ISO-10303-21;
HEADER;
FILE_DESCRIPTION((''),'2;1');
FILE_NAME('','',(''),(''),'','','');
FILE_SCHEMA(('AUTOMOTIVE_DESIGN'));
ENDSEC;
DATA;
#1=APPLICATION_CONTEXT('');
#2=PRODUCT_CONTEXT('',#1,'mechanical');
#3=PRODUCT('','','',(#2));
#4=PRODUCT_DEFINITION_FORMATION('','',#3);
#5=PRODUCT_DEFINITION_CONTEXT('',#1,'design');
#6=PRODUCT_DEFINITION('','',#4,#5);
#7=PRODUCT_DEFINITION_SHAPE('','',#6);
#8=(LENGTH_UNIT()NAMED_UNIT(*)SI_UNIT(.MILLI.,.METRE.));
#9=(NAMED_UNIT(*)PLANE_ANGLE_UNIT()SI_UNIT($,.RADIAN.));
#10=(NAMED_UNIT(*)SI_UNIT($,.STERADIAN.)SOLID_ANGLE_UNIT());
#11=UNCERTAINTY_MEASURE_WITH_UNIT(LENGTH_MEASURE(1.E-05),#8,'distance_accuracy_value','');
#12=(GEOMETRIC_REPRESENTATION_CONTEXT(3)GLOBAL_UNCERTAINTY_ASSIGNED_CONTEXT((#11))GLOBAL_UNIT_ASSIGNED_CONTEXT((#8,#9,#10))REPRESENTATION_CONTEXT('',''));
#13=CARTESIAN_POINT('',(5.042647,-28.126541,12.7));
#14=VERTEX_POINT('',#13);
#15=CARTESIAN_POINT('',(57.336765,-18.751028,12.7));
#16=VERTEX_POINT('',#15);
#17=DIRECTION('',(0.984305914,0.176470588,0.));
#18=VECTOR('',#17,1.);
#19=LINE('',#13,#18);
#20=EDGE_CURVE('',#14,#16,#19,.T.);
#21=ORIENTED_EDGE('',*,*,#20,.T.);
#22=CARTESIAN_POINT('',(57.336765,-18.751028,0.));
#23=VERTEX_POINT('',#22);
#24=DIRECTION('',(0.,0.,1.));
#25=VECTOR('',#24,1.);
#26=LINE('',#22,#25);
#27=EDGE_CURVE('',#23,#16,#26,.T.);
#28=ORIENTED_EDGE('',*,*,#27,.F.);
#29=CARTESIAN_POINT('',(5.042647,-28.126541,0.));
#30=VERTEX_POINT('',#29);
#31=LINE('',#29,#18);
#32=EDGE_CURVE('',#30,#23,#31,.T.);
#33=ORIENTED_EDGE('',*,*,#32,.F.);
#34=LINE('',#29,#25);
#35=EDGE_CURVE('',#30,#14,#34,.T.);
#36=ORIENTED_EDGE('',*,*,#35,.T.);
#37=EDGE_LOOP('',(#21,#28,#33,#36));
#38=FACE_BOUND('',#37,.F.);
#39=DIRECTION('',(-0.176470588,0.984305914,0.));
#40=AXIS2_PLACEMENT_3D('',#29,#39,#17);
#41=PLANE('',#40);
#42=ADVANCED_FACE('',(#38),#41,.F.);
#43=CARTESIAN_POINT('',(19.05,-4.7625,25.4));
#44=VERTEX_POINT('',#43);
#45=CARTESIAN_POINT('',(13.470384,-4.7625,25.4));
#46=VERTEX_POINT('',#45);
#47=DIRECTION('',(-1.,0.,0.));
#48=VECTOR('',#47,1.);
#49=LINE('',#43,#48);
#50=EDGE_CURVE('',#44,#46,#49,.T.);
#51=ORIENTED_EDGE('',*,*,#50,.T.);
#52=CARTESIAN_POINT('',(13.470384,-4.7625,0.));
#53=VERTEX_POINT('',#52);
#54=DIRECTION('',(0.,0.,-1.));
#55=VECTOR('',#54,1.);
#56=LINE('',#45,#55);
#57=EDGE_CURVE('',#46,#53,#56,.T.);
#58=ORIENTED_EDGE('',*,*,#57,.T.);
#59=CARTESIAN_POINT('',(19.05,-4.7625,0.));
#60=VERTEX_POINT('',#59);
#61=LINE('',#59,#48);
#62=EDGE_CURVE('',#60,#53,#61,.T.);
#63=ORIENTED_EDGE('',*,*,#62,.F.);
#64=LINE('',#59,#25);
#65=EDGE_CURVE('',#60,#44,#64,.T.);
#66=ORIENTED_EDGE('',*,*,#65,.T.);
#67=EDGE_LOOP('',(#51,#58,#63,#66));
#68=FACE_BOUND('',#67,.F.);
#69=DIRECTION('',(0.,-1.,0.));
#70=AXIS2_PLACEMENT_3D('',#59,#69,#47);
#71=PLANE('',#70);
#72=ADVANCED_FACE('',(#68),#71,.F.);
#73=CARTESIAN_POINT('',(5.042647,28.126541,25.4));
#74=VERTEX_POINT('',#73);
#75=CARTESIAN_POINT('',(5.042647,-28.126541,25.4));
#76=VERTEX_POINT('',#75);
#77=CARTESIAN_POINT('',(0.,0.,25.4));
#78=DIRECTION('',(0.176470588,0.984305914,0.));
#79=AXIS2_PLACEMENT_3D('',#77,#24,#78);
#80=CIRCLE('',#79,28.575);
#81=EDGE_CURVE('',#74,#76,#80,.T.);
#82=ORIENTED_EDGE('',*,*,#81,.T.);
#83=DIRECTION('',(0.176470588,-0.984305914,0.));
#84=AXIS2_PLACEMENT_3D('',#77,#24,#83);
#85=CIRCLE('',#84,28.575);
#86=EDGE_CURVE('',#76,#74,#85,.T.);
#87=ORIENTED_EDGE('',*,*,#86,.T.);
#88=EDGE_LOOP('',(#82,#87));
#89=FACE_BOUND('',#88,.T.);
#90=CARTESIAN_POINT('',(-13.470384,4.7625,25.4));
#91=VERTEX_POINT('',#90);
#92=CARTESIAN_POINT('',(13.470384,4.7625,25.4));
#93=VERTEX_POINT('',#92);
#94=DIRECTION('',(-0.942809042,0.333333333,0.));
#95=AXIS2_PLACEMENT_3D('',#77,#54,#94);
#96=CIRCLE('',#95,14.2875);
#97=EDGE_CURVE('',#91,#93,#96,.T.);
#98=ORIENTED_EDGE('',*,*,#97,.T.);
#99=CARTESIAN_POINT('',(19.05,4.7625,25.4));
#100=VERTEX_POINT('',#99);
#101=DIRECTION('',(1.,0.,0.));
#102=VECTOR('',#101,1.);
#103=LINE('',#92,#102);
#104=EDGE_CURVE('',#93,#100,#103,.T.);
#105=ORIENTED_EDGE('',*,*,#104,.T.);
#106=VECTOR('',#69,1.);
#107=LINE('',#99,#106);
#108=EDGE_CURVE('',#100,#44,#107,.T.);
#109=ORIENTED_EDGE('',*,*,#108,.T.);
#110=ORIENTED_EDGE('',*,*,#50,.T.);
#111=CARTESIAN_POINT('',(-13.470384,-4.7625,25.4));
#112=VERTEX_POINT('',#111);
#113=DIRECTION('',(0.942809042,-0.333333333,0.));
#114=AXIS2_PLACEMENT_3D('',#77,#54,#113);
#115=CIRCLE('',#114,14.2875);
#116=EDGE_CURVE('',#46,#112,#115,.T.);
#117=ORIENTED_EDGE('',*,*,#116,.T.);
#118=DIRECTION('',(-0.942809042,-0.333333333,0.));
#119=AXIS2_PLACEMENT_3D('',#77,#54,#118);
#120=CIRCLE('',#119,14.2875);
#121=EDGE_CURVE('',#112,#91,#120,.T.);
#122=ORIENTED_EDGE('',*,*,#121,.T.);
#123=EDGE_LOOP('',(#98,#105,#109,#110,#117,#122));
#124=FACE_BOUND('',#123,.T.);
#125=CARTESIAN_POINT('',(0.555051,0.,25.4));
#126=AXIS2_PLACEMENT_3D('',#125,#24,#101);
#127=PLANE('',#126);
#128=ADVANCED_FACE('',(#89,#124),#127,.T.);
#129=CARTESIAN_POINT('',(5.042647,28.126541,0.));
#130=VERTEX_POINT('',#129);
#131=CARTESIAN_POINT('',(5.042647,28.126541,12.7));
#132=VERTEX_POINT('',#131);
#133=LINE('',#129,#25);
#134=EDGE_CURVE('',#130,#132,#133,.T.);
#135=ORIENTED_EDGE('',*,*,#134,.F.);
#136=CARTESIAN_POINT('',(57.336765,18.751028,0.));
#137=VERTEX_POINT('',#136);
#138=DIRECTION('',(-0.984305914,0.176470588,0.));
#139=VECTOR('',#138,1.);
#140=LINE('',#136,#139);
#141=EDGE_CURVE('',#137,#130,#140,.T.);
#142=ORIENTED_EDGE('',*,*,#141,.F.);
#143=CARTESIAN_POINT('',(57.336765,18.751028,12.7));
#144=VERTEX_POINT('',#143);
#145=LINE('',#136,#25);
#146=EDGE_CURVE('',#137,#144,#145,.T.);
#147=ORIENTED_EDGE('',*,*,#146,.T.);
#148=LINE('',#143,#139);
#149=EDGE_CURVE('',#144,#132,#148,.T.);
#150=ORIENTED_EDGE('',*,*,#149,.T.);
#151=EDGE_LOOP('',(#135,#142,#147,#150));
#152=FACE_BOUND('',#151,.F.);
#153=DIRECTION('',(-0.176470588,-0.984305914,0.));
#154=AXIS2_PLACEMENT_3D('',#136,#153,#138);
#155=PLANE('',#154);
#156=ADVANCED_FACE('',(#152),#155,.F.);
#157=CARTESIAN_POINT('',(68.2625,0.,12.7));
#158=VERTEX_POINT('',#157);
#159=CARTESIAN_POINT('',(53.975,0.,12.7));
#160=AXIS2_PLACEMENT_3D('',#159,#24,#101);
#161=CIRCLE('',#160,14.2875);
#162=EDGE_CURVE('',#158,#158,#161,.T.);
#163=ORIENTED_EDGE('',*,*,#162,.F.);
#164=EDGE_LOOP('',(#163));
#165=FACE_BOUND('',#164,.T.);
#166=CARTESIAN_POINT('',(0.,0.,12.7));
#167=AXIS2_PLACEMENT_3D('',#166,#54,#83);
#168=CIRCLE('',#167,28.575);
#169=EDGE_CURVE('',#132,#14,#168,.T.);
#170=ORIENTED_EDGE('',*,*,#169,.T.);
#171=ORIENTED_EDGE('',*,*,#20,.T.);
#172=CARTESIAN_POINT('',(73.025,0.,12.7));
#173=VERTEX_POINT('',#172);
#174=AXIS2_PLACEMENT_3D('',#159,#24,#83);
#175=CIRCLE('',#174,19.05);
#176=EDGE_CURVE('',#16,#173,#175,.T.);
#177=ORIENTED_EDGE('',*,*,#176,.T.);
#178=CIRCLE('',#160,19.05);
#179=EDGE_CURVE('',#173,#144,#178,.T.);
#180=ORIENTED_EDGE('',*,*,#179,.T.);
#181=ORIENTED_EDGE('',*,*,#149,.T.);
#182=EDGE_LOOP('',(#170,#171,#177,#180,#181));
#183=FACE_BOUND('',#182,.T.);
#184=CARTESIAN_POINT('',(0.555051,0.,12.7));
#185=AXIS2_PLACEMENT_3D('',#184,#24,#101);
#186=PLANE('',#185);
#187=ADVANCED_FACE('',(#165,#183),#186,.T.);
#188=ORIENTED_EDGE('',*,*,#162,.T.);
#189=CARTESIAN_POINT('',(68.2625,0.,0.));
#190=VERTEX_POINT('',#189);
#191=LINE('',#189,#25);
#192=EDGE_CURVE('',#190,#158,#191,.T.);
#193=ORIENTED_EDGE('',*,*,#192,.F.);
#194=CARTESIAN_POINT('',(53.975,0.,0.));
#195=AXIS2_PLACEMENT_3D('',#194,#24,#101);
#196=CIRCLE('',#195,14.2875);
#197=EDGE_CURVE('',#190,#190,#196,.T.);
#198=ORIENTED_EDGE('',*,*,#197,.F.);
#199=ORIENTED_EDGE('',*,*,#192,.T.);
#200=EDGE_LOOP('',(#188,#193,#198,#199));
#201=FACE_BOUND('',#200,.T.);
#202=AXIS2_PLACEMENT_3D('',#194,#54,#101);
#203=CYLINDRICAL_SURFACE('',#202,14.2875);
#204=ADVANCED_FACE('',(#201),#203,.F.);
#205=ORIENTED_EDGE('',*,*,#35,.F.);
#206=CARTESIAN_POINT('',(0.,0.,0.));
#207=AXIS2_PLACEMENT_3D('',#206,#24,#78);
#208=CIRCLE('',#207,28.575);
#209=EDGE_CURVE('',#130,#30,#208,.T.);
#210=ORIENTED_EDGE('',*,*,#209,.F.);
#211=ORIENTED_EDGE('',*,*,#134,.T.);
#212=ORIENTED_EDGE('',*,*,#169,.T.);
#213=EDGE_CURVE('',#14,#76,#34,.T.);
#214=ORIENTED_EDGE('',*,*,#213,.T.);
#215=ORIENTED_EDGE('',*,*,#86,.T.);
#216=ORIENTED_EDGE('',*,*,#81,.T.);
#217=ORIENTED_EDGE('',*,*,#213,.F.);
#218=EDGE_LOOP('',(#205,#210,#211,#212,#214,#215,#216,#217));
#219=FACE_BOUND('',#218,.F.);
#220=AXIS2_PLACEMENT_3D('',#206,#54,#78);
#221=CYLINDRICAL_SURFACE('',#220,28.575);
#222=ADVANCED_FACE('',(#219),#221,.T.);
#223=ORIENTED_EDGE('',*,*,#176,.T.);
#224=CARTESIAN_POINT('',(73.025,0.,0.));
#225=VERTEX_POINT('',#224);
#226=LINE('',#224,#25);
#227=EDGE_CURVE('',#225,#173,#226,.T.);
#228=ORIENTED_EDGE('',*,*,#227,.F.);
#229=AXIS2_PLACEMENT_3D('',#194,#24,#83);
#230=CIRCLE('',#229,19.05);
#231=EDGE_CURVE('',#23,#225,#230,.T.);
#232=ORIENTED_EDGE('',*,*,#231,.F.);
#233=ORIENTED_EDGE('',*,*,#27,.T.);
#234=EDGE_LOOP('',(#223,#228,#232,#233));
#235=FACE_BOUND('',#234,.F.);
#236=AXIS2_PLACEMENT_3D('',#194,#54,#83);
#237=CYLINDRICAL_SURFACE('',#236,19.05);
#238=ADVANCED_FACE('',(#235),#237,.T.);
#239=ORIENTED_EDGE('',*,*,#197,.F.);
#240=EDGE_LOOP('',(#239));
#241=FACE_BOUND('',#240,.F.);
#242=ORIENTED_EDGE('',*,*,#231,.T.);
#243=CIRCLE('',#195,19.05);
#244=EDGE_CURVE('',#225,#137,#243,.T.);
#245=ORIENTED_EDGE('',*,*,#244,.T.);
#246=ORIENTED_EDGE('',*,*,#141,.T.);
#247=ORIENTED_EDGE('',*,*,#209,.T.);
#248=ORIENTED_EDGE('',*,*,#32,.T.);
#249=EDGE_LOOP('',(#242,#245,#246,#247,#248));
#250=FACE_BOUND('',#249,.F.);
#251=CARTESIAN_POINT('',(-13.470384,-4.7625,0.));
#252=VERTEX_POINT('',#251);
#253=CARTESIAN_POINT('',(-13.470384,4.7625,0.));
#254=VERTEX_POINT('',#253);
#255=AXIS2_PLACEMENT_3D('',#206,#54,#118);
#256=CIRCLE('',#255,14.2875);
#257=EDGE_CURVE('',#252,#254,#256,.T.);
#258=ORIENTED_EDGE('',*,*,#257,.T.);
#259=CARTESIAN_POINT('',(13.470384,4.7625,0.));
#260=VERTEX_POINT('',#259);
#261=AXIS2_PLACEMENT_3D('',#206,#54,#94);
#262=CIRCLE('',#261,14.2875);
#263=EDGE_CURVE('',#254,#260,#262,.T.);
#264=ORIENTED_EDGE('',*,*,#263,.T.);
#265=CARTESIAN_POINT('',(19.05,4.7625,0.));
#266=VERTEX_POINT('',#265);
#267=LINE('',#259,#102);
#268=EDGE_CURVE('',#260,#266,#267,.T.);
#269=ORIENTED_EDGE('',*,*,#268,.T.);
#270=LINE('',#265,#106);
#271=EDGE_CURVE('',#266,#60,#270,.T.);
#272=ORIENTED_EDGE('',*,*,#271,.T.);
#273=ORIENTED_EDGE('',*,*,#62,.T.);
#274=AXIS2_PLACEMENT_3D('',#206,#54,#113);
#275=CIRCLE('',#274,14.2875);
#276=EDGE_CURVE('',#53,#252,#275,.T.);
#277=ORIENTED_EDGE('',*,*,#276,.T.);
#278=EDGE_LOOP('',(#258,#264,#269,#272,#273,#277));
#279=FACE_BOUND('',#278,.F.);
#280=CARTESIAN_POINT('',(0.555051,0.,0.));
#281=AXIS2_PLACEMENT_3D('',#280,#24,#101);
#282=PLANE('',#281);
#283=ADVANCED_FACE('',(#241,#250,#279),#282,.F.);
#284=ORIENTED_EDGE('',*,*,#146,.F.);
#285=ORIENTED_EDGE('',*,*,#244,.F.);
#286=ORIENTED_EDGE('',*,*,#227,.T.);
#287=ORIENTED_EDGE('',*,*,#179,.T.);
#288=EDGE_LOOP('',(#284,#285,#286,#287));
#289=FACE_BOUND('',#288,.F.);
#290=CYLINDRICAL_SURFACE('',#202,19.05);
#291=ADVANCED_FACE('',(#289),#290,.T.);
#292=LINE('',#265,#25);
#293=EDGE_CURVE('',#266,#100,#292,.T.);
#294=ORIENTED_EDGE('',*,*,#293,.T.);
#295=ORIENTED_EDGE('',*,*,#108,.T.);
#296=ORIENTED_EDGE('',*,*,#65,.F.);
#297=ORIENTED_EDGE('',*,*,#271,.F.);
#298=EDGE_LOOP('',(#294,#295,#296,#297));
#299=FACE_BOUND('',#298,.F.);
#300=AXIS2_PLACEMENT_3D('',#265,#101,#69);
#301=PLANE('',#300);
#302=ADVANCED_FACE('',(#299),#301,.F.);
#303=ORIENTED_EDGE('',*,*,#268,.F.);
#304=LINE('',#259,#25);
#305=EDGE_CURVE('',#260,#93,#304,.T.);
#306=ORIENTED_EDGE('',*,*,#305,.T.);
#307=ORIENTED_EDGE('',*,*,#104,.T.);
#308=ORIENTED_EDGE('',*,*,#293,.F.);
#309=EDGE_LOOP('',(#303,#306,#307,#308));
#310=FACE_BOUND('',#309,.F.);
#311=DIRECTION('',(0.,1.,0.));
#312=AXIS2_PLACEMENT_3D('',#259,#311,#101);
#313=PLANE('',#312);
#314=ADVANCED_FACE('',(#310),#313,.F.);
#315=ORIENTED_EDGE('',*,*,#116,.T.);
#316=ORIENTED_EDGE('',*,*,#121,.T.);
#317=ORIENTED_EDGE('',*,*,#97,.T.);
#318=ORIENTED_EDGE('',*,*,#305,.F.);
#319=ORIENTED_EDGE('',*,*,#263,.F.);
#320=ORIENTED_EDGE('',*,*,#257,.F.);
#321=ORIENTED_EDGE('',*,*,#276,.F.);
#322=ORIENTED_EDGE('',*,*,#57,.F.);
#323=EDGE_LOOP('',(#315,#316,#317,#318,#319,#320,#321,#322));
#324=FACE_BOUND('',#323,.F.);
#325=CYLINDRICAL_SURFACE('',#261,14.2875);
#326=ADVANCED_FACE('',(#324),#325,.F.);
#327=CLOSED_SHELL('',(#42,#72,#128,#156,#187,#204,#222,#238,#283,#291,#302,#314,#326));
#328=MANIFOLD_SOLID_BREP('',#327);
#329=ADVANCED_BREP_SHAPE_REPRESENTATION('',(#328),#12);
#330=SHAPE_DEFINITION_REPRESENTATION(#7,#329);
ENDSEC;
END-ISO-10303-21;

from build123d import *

# Parameters (mm, degrees)
F0_R     = 14.2875
F1_DEPTH = 12.7
F2_DEPTH = 25.4


with BuildPart() as f1:
    # F0 (on Top) → F1 (new body)
    with BuildSketch(Plane.XY):
        with BuildLine():
            ThreePointArc((5.0426470588, -28.1265414802), (21.9160245563, -18.3362616868), (28.575, 0))
            ThreePointArc((28.575, 0), (21.9160245563, 18.3362616868), (5.0426470588, 28.1265414802))
            ThreePointArc((5.0426470588, 28.1265414802), (-28.575, 0), (5.0426470588, -28.1265414802))
        make_face()
        with BuildLine():
            ThreePointArc((-13.4703841816, 4.7625), (0, 14.2875), (13.4703841816, 4.7625))
            Line((13.4703841816, 4.7625), (19.05, 4.7625))
            Line((19.05, 4.7625), (19.05, -4.7625))
            Line((19.05, -4.7625), (13.4703841816, -4.7625))
            ThreePointArc((13.4703841816, -4.7625), (0, -14.2875), (-13.4703841816, -4.7625))
            Line((-13.4703841816, -4.7625), (-19.05, -4.7625))
            Line((-19.05, -4.7625), (-19.05, 4.7625))
            Line((-19.05, 4.7625), (-13.4703841816, 4.7625))
        make_face(mode=Mode.SUBTRACT)
        with BuildLine():
            ThreePointArc((73.025, 0), (68.5856830375, 12.2241744579), (57.3367647059, 18.7510276535))
            ThreePointArc((57.3367647059, 18.7510276535), (34.925, 0), (57.3367647059, -18.7510276535))
            ThreePointArc((57.3367647059, -18.7510276535), (68.5856830375, -12.2241744579), (73.025, 0))
        make_face()
        with Locations((53.975, 0)):
            Circle(F0_R, mode=Mode.SUBTRACT)
        with BuildLine():
            ThreePointArc((5.0426470588, 28.1265414802), (21.9160245563, 18.3362616868), (28.575, 0))
            ThreePointArc((28.575, 0), (21.9160245563, -18.3362616868), (5.0426470588, -28.1265414802))
            Line((5.0426470588, -28.1265414802), (57.3367647059, -18.7510276535))
            ThreePointArc((57.3367647059, -18.7510276535), (34.925, 0), (57.3367647059, 18.7510276535))
            Line((57.3367647059, 18.7510276535), (5.0426470588, 28.1265414802))
        make_face()
        with BuildLine():
            ThreePointArc((-13.4703841816, -4.7625), (-14.2875, 0), (-13.4703841816, 4.7625))
            Line((-13.4703841816, 4.7625), (-19.05, 4.7625))
            Line((-19.05, 4.7625), (-19.05, -4.7625))
            Line((-19.05, -4.7625), (-13.4703841816, -4.7625))
        make_face()
    extrude(amount=F1_DEPTH)

    # F0 (on Top) → F2 (join)
    with BuildSketch(Plane.XY):
        with BuildLine():
            ThreePointArc((5.0426470588, -28.1265414802), (21.9160245563, -18.3362616868), (28.575, 0))
            ThreePointArc((28.575, 0), (21.9160245563, 18.3362616868), (5.0426470588, 28.1265414802))
            ThreePointArc((5.0426470588, 28.1265414802), (-28.575, 0), (5.0426470588, -28.1265414802))
        make_face()
        with BuildLine():
            ThreePointArc((-13.4703841816, 4.7625), (0, 14.2875), (13.4703841816, 4.7625))
            Line((13.4703841816, 4.7625), (19.05, 4.7625))
            Line((19.05, 4.7625), (19.05, -4.7625))
            Line((19.05, -4.7625), (13.4703841816, -4.7625))
            ThreePointArc((13.4703841816, -4.7625), (0, -14.2875), (-13.4703841816, -4.7625))
            Line((-13.4703841816, -4.7625), (-19.05, -4.7625))
            Line((-19.05, -4.7625), (-19.05, 4.7625))
            Line((-19.05, 4.7625), (-13.4703841816, 4.7625))
        make_face(mode=Mode.SUBTRACT)
        with BuildLine():
            ThreePointArc((-13.4703841816, -4.7625), (-14.2875, 0), (-13.4703841816, 4.7625))
            Line((-13.4703841816, 4.7625), (-19.05, 4.7625))
            Line((-19.05, 4.7625), (-19.05, -4.7625))
            Line((-19.05, -4.7625), (-13.4703841816, -4.7625))
        make_face()
    extrude(amount=F2_DEPTH)


solid = f1.part
